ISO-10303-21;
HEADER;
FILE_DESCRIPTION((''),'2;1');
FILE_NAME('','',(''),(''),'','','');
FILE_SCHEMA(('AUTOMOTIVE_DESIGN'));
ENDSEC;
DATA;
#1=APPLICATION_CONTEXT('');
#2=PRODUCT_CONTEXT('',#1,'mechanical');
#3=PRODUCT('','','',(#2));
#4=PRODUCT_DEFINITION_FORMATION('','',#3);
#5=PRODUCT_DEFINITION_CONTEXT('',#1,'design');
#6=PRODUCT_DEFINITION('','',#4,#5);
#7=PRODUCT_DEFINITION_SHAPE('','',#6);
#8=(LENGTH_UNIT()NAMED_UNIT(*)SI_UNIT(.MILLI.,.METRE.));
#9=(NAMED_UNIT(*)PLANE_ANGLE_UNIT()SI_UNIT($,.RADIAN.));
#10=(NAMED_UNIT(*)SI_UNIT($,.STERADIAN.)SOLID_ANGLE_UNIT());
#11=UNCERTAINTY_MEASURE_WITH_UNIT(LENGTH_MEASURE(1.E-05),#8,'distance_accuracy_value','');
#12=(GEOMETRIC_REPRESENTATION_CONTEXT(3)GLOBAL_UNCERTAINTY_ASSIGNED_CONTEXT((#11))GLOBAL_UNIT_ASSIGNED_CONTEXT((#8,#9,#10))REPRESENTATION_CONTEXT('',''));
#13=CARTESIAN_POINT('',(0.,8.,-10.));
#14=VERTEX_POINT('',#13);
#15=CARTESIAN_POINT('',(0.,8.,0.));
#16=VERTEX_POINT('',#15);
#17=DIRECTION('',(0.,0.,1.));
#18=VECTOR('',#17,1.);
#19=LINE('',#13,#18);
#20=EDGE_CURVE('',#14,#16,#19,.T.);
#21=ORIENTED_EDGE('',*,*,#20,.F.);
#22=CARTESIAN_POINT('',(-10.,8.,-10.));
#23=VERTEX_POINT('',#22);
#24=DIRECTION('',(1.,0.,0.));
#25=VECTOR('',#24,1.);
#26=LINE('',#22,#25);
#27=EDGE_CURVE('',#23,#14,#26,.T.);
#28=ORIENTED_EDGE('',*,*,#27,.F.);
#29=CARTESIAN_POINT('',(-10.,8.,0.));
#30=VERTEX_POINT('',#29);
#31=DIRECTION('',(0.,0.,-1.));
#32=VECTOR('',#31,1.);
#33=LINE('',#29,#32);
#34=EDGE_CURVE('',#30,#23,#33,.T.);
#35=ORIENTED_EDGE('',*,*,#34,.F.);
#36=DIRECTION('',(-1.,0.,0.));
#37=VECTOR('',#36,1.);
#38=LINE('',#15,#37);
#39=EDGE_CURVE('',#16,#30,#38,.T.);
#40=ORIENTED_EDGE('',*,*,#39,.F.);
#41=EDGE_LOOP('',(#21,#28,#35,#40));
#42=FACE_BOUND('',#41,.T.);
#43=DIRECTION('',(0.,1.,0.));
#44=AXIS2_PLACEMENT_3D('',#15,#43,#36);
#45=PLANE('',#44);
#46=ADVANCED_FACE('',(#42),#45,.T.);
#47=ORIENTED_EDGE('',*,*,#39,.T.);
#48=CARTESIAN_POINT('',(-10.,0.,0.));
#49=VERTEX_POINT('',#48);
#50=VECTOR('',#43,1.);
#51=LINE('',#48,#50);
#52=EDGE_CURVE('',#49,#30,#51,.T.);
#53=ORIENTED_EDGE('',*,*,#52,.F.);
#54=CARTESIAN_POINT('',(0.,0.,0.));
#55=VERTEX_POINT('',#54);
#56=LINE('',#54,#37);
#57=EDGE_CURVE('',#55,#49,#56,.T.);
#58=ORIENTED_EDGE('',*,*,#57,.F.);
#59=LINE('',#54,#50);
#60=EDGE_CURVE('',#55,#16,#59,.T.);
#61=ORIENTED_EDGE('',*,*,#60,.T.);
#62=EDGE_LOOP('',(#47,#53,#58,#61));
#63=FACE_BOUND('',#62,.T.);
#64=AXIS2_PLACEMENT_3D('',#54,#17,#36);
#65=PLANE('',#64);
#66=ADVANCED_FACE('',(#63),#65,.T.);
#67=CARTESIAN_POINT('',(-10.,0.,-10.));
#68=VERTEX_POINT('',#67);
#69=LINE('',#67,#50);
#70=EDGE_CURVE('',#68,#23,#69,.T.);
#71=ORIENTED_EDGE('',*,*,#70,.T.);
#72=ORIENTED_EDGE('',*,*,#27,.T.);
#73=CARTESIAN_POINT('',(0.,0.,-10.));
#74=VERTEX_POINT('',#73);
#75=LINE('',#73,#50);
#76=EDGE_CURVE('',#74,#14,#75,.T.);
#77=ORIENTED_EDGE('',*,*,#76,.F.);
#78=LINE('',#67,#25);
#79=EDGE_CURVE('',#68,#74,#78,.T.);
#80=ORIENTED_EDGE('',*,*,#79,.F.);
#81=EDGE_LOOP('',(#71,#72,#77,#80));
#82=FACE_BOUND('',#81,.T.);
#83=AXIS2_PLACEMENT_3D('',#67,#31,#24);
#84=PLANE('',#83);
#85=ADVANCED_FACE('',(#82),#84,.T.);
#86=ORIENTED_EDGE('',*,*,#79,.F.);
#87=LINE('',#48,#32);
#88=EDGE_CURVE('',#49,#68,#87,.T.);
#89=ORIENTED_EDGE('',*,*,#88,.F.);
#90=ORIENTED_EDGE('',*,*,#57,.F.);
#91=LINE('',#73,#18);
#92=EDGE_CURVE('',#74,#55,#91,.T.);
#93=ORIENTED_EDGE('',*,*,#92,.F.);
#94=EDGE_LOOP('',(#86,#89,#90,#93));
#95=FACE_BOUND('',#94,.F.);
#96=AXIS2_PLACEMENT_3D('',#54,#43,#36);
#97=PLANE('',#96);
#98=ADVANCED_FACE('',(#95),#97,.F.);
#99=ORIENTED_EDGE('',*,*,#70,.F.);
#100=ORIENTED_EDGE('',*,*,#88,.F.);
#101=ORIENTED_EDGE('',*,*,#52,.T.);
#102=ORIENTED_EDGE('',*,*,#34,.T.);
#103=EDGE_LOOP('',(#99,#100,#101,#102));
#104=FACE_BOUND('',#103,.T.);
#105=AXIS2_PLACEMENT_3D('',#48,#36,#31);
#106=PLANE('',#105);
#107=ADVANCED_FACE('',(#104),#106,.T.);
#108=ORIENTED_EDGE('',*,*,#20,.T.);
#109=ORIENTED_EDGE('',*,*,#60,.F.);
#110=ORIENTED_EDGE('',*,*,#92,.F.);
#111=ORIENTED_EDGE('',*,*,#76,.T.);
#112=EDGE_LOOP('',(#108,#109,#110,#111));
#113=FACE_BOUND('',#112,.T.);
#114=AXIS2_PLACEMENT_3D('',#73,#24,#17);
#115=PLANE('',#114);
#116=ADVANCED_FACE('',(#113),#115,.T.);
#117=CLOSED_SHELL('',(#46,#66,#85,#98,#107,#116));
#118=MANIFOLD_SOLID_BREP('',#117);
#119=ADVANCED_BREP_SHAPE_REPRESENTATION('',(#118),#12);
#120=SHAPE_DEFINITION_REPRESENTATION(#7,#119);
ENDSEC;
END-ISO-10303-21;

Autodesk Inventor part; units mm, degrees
ref_plane "YZ Plane" through (0, 0, 0) normal (1, 0, 0) x (0, 1, 0)
ref_plane "XZ Plane" through (0, 0, 0) normal (0, 1, 0) x (-1, 0, 0)
ref_plane "XY Plane" through (0, 0, 0) normal (0, 0, 1) x (1, 0, 0)
sketch "Sketch1" plane through (0, 0, 0) normal (0, 1, 0) x (-1, 0, 0)
  line L0 (0, 0) -> (10, 0)
  line L1 (10, 0) -> (10, -10)
  line L2 (10, -10) -> (0, -10)
  line L3 (0, -10) -> (0, 0)
  dimension "d0" = 10
  dimension "d1" = 10
extrude "Extrusion1" add sketch "Sketch1" along normal blind 8
properties part number "Box 8mm"
